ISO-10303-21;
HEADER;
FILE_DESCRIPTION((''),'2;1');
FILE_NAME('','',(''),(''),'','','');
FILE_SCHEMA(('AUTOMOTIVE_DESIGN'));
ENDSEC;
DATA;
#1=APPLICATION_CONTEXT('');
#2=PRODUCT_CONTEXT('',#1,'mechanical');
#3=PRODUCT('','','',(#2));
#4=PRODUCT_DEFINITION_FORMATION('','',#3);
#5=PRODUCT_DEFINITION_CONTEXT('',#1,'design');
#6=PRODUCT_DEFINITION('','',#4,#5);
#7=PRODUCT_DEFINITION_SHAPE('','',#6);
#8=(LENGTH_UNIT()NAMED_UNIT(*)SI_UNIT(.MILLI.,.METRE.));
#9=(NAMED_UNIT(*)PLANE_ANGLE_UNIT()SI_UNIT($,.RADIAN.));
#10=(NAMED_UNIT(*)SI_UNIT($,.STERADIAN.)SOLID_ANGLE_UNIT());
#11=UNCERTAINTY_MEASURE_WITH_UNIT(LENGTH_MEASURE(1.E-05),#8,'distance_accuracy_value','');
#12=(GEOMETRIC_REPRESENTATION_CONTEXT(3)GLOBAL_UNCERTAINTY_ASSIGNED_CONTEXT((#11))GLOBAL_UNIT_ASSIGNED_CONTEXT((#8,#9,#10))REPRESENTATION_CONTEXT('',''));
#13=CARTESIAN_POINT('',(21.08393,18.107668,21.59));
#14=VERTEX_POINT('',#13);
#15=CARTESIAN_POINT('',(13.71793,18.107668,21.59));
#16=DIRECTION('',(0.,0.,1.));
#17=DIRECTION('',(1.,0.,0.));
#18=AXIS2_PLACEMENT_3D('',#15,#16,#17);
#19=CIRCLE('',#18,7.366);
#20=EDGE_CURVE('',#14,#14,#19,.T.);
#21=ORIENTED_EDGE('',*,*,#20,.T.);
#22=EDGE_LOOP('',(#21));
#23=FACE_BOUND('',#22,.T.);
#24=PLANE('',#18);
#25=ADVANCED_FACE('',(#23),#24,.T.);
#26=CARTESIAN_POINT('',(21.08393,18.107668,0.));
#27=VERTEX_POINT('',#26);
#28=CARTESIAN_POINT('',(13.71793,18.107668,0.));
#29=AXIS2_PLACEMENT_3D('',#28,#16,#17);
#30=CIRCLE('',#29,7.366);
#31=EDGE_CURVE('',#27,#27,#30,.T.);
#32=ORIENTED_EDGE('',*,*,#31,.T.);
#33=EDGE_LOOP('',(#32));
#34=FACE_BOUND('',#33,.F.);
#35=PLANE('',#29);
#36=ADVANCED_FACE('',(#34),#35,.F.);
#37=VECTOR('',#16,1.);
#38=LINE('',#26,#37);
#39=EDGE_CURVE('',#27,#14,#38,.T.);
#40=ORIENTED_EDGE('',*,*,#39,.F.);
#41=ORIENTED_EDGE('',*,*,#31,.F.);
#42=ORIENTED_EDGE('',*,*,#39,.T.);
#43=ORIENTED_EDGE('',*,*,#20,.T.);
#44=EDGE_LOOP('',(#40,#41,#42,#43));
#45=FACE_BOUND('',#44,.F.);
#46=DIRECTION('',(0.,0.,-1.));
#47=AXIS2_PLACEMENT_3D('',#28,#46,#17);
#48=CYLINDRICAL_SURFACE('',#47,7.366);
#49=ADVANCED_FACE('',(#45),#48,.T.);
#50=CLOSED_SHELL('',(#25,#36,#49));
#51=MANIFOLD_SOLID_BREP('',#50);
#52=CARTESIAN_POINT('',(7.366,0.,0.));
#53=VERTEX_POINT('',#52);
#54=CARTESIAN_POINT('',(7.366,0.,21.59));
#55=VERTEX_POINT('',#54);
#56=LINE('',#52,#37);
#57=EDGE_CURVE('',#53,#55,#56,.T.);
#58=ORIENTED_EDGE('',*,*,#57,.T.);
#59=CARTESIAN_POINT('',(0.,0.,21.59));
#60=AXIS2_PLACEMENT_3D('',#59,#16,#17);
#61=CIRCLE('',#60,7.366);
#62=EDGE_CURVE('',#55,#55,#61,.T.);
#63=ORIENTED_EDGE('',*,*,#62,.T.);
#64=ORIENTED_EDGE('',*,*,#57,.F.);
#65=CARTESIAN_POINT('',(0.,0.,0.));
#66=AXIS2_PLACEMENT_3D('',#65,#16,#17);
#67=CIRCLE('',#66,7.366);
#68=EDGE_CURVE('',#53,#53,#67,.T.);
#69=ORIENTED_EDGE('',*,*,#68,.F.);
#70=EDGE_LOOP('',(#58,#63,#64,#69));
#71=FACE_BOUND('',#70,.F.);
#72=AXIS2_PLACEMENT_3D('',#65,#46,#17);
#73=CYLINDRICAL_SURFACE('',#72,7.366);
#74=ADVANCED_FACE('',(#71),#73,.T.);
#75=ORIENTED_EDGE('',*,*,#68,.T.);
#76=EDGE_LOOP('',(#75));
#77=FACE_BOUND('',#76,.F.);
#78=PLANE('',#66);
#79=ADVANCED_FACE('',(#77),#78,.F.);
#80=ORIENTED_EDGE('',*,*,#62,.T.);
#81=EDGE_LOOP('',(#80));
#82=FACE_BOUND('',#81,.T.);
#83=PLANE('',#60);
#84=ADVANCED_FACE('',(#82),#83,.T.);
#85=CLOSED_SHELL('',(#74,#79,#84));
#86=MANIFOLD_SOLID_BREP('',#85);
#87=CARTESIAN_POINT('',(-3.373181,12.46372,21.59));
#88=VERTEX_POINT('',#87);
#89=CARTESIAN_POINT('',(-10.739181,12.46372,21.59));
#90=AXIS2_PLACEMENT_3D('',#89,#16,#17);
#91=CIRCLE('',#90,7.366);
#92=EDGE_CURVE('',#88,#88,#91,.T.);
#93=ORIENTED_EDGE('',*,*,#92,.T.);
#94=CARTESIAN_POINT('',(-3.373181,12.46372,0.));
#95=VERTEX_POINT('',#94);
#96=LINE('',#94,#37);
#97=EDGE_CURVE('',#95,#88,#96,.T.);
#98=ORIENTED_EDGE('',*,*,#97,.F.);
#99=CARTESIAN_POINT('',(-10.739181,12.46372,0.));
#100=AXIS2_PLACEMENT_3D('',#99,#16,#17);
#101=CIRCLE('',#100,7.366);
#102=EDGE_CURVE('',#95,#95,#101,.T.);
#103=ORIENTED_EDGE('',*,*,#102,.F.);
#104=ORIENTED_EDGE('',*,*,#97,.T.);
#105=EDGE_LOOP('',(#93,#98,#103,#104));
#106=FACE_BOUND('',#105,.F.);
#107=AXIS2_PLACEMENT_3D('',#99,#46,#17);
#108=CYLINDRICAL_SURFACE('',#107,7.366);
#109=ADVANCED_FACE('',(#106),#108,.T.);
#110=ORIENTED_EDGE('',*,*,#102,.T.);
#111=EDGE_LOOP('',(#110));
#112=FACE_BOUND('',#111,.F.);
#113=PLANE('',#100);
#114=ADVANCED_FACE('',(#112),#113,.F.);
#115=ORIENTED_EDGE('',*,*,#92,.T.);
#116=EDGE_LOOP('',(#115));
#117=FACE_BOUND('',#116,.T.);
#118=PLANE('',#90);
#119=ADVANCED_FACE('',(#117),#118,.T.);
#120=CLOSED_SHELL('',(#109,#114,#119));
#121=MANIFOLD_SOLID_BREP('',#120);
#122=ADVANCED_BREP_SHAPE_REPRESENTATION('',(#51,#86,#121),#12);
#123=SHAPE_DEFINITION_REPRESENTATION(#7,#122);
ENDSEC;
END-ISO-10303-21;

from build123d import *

# Parameters (mm, degrees)
F0_R     = 7.366
F1_DEPTH = 21.59


with BuildPart() as f1:
    # F0 (on Top) → F1 (new body)
    with BuildSketch(Plane.XY):
        with Locations((-10.739181, 12.46372)):
            Circle(F0_R)
        Circle(F0_R)
        with Locations((13.71793, 18.107668)):
            Circle(F0_R)
    extrude(amount=F1_DEPTH)


solid = f1.part
